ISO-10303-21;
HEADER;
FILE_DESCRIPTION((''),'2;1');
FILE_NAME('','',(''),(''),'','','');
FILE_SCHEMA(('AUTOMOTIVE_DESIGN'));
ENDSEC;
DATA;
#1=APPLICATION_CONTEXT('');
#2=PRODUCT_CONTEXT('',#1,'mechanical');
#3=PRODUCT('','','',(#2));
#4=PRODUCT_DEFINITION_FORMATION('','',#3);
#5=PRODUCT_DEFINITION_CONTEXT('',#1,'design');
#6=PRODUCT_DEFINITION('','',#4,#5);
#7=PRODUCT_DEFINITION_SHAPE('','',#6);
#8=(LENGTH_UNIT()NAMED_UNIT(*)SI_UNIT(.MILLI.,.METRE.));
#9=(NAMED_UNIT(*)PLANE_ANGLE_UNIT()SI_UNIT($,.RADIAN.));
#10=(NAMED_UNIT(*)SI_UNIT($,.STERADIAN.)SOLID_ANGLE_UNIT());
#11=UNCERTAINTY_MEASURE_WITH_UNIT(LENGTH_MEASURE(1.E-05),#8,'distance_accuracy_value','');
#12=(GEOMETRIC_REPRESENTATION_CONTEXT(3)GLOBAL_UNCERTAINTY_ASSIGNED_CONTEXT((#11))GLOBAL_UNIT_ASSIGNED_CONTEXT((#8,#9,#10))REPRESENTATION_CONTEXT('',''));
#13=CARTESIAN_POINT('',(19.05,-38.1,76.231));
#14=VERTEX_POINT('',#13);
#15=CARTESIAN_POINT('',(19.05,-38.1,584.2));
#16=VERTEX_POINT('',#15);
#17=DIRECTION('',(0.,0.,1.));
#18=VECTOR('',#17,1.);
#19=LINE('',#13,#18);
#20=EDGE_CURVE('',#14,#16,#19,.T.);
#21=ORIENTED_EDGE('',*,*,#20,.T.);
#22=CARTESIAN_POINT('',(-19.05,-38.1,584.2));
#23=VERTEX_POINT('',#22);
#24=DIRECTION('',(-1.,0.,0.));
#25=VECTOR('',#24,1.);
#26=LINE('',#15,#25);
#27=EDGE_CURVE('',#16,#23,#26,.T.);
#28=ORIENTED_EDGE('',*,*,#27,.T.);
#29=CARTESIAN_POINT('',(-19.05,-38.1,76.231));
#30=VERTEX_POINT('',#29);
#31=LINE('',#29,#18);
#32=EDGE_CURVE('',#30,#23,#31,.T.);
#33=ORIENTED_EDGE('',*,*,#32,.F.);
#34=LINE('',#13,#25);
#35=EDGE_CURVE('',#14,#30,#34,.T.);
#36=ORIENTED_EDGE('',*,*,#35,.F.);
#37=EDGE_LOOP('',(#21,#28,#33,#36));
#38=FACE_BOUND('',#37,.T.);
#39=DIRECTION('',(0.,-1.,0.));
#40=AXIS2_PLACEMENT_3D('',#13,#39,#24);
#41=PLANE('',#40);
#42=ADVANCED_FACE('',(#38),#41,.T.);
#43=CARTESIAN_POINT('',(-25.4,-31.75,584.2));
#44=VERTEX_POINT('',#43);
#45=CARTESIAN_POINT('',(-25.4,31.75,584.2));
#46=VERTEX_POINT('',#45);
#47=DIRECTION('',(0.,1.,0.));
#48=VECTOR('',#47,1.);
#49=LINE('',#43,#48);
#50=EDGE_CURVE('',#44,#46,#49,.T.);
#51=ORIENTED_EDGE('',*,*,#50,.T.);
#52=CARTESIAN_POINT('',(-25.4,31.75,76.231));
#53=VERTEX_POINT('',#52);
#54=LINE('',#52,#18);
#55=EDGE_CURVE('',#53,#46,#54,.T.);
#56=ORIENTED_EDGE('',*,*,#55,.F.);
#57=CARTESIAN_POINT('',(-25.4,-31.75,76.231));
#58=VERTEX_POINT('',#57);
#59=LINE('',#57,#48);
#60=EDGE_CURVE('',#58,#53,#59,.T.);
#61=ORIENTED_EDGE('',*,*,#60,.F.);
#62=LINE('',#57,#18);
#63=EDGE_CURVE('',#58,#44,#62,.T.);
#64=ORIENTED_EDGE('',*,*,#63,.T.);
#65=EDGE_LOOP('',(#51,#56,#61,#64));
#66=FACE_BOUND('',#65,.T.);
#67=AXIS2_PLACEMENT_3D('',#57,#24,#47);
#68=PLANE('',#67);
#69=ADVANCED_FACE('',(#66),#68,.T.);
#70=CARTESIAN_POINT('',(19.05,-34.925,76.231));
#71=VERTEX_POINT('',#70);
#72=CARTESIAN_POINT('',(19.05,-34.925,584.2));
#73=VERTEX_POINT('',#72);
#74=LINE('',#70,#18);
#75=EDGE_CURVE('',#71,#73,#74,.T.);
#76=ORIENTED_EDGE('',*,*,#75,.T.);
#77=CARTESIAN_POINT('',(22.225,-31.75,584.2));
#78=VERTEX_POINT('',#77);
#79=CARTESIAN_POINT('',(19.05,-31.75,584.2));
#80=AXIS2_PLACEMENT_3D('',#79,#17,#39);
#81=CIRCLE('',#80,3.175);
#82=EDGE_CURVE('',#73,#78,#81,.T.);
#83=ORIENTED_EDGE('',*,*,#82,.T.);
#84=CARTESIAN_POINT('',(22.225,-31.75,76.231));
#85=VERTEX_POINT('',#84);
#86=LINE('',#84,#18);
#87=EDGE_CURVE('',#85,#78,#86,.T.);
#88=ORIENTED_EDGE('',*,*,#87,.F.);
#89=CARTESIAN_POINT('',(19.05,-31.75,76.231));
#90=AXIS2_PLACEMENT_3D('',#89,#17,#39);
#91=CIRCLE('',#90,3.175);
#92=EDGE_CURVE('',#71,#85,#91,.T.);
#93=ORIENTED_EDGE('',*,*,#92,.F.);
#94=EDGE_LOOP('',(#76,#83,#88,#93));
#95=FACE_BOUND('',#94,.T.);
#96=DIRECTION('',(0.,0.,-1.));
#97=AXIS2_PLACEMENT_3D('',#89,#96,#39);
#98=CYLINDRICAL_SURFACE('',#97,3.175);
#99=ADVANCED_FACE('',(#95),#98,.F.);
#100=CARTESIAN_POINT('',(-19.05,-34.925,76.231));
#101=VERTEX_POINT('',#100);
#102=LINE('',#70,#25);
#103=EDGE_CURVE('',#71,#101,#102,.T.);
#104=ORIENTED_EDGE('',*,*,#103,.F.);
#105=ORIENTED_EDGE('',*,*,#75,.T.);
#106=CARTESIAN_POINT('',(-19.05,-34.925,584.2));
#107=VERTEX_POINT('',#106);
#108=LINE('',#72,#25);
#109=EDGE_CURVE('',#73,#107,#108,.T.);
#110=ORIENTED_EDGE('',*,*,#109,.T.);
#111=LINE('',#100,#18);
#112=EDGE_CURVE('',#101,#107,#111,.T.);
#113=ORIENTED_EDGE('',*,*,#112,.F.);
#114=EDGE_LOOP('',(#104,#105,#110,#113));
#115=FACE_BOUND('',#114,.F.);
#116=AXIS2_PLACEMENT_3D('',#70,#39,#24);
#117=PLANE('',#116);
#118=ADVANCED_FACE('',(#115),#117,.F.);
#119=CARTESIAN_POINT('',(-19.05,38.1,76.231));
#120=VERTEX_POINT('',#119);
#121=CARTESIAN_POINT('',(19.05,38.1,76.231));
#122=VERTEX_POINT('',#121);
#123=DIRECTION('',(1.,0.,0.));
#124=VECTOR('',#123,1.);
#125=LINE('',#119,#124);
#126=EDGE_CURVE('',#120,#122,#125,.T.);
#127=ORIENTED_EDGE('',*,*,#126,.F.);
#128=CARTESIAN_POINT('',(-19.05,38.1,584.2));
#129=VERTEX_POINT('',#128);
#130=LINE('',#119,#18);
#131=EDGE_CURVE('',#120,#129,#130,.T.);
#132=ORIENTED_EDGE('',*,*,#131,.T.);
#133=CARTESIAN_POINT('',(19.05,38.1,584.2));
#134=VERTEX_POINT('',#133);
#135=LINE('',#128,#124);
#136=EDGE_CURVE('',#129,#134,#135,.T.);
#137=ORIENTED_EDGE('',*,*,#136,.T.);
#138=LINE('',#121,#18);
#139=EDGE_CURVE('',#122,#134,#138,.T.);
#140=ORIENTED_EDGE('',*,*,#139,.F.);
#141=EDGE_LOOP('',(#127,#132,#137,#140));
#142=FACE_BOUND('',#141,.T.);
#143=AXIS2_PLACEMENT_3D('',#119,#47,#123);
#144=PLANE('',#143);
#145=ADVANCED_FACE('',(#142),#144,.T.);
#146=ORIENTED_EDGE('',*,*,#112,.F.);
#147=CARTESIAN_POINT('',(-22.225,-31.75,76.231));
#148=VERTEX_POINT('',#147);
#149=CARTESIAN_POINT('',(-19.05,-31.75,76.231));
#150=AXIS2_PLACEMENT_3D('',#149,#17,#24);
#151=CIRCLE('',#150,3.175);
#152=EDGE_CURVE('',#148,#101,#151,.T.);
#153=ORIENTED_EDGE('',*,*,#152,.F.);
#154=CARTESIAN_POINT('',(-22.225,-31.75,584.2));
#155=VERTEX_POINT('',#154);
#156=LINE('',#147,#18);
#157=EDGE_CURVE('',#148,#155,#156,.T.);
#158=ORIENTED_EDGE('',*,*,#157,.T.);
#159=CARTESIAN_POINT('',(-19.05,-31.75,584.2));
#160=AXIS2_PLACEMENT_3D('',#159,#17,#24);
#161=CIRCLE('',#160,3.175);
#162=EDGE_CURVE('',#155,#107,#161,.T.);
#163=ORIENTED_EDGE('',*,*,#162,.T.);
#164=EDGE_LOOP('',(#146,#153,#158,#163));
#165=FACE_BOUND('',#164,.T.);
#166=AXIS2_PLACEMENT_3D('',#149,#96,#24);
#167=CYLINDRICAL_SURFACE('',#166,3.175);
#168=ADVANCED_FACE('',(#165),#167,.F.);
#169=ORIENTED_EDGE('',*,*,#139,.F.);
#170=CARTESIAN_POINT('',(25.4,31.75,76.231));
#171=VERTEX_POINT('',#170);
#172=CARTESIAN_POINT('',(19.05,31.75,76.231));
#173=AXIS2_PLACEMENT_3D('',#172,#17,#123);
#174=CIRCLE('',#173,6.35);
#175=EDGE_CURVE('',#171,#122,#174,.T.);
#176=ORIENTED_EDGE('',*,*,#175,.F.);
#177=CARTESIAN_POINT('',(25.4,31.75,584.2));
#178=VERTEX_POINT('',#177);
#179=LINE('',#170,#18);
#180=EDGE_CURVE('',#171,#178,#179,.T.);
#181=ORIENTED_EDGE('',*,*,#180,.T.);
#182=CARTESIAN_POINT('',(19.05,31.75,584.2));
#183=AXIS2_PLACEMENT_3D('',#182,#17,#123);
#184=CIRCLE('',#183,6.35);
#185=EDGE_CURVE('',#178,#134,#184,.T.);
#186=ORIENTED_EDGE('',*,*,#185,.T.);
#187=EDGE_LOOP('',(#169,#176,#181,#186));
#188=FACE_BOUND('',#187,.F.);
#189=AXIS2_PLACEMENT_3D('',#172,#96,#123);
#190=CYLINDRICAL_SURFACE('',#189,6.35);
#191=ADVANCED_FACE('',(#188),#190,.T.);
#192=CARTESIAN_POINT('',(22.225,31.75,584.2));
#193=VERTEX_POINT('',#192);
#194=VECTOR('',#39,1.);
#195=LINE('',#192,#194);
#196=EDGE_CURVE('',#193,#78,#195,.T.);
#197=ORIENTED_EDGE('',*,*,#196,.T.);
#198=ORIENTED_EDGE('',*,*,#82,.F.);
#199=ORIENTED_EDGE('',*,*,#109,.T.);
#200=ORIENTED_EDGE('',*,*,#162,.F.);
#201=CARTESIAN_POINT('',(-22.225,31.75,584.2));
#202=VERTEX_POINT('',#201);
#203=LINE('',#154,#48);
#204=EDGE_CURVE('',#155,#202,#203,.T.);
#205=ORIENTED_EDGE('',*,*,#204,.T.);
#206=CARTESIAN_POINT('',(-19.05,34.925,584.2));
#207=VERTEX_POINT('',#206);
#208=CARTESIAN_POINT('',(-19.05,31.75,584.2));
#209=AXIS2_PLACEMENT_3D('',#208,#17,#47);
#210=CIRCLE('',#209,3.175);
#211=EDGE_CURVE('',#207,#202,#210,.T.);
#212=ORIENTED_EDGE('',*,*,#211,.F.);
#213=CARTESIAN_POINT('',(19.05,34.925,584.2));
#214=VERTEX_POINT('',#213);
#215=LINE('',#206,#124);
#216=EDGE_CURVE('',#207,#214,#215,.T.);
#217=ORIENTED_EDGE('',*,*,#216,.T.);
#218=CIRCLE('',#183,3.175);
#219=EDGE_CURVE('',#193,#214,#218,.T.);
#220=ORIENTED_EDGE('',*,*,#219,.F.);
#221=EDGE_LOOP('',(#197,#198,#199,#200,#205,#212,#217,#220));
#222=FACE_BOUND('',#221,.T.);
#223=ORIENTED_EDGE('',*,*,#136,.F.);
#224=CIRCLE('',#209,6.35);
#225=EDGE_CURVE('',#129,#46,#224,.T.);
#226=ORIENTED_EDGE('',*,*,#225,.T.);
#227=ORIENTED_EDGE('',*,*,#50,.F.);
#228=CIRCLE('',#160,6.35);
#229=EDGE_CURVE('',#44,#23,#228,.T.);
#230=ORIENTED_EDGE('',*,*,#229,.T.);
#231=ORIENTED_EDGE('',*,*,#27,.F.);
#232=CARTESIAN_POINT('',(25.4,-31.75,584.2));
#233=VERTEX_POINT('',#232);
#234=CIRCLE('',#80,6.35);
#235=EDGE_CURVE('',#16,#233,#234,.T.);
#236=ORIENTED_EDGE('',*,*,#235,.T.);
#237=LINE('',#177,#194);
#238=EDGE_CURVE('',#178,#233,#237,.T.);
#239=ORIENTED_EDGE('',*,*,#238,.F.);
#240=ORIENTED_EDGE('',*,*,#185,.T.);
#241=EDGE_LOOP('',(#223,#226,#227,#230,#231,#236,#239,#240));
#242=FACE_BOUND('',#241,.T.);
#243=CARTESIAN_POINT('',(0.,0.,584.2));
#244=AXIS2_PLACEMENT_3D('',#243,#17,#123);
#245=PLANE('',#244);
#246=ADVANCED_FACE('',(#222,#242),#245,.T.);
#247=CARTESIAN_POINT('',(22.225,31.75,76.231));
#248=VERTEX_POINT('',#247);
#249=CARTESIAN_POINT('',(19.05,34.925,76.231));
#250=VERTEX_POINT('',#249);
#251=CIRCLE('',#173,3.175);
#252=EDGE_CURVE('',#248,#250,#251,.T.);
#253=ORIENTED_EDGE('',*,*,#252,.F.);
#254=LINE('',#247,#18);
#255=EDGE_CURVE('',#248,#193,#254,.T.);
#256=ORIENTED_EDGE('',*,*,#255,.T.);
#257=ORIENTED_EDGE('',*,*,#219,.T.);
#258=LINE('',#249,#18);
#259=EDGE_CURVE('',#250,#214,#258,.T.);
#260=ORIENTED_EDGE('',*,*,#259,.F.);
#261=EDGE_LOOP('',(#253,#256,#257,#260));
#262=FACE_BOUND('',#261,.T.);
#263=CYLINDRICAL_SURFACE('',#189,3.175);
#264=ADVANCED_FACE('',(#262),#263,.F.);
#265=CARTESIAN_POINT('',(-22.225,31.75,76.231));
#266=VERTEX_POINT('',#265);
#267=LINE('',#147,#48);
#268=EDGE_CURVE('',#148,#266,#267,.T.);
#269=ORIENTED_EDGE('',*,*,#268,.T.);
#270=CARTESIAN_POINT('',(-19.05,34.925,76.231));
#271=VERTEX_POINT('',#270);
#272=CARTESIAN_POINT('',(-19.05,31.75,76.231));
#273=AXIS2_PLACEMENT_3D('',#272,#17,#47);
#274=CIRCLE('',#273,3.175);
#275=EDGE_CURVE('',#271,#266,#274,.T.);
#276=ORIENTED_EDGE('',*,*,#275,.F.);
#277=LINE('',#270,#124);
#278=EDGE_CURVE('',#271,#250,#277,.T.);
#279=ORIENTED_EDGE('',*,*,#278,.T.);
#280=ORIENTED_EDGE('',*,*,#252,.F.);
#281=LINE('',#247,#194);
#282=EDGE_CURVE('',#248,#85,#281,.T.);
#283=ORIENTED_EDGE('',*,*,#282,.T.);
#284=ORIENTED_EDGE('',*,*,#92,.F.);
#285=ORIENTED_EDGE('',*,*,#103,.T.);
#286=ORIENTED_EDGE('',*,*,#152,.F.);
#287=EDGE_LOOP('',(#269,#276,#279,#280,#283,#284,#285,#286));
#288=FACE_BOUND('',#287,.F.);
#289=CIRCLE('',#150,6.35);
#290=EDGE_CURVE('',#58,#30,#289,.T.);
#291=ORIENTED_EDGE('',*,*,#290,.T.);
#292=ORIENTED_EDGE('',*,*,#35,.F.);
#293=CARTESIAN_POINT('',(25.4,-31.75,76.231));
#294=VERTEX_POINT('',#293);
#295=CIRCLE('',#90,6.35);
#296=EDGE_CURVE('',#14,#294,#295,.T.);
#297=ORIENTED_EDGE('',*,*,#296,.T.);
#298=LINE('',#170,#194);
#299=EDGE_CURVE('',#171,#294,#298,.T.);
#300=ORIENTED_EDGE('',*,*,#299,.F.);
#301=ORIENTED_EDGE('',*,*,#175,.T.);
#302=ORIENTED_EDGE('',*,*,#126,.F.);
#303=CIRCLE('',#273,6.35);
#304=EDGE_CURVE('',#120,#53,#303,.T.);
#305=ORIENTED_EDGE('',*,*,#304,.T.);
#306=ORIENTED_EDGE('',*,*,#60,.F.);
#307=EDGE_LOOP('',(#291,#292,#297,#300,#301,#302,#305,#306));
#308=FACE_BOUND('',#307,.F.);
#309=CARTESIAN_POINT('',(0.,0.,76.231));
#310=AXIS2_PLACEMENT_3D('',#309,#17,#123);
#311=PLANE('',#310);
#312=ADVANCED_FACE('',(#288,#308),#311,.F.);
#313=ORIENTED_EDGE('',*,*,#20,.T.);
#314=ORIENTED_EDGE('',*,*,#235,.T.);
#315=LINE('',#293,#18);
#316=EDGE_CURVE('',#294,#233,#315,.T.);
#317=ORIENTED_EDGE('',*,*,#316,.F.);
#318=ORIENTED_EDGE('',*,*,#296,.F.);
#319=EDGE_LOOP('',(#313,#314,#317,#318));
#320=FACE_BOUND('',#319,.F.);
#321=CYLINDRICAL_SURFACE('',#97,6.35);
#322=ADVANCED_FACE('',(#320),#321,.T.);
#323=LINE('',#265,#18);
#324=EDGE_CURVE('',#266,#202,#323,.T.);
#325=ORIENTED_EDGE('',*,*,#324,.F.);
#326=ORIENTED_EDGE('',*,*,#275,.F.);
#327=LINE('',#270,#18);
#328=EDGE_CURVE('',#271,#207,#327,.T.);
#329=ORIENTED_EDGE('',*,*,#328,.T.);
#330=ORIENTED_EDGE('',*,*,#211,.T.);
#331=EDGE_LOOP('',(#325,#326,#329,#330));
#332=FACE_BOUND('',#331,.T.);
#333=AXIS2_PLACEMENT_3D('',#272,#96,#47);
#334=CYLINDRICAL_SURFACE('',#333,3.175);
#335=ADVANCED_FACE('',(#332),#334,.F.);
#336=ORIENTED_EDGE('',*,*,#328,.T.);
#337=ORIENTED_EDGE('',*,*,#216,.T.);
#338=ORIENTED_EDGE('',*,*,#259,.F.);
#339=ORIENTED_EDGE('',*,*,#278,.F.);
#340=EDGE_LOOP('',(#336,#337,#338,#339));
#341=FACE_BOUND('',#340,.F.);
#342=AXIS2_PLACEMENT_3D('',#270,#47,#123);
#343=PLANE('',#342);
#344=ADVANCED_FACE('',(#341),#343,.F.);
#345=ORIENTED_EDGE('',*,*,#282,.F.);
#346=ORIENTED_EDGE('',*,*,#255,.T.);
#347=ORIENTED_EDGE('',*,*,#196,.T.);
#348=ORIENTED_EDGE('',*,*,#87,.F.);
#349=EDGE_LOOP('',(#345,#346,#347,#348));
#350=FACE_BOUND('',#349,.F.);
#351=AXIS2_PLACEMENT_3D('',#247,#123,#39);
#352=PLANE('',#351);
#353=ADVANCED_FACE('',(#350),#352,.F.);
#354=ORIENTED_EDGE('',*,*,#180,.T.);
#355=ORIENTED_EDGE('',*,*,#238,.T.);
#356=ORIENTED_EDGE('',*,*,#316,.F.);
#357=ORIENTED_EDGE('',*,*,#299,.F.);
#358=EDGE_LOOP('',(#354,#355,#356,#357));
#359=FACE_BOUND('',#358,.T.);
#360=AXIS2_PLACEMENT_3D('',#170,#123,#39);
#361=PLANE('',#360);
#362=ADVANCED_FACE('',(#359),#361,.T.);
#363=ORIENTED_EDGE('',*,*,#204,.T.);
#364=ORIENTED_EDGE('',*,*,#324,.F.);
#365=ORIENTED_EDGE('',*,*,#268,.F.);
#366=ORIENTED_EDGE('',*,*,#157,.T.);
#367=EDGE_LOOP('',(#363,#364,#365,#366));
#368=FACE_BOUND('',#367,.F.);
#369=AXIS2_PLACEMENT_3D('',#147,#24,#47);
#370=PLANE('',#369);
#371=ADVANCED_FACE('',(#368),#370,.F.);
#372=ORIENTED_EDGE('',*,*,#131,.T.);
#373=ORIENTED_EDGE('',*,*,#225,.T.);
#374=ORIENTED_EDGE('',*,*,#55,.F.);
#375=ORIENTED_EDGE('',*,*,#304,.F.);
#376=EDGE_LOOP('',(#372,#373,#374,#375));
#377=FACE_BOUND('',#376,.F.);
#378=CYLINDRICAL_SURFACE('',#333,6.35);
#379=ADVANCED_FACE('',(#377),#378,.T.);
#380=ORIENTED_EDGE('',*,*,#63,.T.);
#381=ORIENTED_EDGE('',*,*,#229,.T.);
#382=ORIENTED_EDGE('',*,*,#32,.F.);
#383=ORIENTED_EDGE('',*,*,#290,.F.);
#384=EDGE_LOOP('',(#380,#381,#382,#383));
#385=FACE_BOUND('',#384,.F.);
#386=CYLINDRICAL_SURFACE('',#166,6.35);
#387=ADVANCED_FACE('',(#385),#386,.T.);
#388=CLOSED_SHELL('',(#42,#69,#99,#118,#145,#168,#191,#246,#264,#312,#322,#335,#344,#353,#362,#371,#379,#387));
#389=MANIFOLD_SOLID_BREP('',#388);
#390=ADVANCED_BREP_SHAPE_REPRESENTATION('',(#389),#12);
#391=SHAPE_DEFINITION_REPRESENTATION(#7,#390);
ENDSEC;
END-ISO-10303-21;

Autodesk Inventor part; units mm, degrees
ref_plane "Start Plane" through (0, 0, 76.231) normal (0, 0, 1) x (1, 0, 0)
ref_plane "End Plane" through (0, 0, 584.2) normal (0, 0, 1) x (1, 0, 0)
sketch "Sketch" plane through (0, 0, 0) normal (0, 0, 1) x (1, 0, 0)
  line L0 (-25.4, -31.75) -> (-25.4, 31.75)
  line L1 (-19.05, 38.1) -> (19.05, 38.1)
  line L2 (25.4, 31.75) -> (25.4, -31.75)
  line L3 (19.05, -38.1) -> (-19.05, -38.1)
  arc A0 (-25.4, -31.75) -> (-19.05, -38.1) centre (-19.05, -31.75) ccw
  arc A1 (-19.05, 38.1) -> (-25.4, 31.75) centre (-19.05, 31.75) ccw
  arc A2 (25.4, 31.75) -> (19.05, 38.1) centre (19.05, 31.75) ccw
  arc A3 (19.05, -38.1) -> (25.4, -31.75) centre (19.05, -31.75) ccw
  arc A4 (-19.05, 34.925) -> (-22.225, 31.75) centre (-19.05, 31.75) ccw
  line L4 (-19.05, 34.925) -> (19.05, 34.925)
  arc A5 (22.225, 31.75) -> (19.05, 34.925) centre (19.05, 31.75) ccw
  line L5 (22.225, 31.75) -> (22.225, -31.75)
  arc A6 (19.05, -34.925) -> (22.225, -31.75) centre (19.05, -31.75) ccw
  line L6 (19.05, -34.925) -> (-19.05, -34.925)
  arc A7 (-22.225, -31.75) -> (-19.05, -34.925) centre (-19.05, -31.75) ccw
  line L7 (-22.225, -31.75) -> (-22.225, 31.75)
  line L8 (0, 55.1812) -> (0, -55.1812) construction
  line L9 (-37.4012, 0) -> (37.4012, 0) construction
  dimension "d10" = 76.2
  dimension "d11" = 50.8
  dimension "d12" = 3.175
  dimension "d15" = 38.1
  dimension "d16" = 25.4
  dimension "d17" = 6.35
extrude "Body" add sketch "Sketch" along normal up to surface (507.969 mm away) from surface at 76.231
sketch "Sketch3" plane through (0, 0, 0) normal (0, 0, 1) x (1, 0, 0)
  line L0 (0, 0) -> (10, 0)
ref_plane "Work Plane3" through (0, 0, 0) normal (0, -1, 0) x (1, 0, 0)
ref_plane "Work Plane4" through (25.4, -1320.8, 584.2) normal (0, 0, 1) x (1, 0, 0)
split "Split1" plane through (25.4, -1320.8, 584.2) removes the side toward (0, 0, 1)
ref_plane "Work Plane5" through (19.05, -1282.7, 76.231) normal (0, 0, -1) x (-1, 0, 0)
split "Split2" plane through (19.05, -1282.7, 76.231) removes the side toward (0, 0, -1)
sketch "Sketch4" plane through (0, 0, 0) normal (0, -1, 0) x (1, 0, 0)
  line L0 (-2, 76.231) -> (12, 76.231) projected
  line L1 (-2, 584.2) -> (12, 584.2) projected
  dimension "d19" = 507.969
equation "\"d10\" = G_H"
equation "\"d11\" = G_W"
equation "\"d12\" = G_T"
equation "\"d15\" = 0.5 * d10"
equation "\"d16\" = 0.5 * d11"
equation "\"d17\" = G_IR"
equation "\"d3\" = G_L"
equation "\"G_W\" = 50.8"
equation "\"G_H\" = 76.2"
equation "\"G_T\" = 3.175"
equation "\"G_IR\" = 6.35"
equation "\"G_L\" = d19"
equation "\"G_OFFSET_START\" = -76.231"
equation "\"G_OFFSET_END\" = 0"
equation "\"d13\" = -G_OFFSET_START"
equation "\"d14\" = G_OFFSET_END + B_L"
equation "\"B_L\" = 584.2"
properties part number "AISC - 3 x 2 x 1/8 - 19.999" material "Steel, Mild"
